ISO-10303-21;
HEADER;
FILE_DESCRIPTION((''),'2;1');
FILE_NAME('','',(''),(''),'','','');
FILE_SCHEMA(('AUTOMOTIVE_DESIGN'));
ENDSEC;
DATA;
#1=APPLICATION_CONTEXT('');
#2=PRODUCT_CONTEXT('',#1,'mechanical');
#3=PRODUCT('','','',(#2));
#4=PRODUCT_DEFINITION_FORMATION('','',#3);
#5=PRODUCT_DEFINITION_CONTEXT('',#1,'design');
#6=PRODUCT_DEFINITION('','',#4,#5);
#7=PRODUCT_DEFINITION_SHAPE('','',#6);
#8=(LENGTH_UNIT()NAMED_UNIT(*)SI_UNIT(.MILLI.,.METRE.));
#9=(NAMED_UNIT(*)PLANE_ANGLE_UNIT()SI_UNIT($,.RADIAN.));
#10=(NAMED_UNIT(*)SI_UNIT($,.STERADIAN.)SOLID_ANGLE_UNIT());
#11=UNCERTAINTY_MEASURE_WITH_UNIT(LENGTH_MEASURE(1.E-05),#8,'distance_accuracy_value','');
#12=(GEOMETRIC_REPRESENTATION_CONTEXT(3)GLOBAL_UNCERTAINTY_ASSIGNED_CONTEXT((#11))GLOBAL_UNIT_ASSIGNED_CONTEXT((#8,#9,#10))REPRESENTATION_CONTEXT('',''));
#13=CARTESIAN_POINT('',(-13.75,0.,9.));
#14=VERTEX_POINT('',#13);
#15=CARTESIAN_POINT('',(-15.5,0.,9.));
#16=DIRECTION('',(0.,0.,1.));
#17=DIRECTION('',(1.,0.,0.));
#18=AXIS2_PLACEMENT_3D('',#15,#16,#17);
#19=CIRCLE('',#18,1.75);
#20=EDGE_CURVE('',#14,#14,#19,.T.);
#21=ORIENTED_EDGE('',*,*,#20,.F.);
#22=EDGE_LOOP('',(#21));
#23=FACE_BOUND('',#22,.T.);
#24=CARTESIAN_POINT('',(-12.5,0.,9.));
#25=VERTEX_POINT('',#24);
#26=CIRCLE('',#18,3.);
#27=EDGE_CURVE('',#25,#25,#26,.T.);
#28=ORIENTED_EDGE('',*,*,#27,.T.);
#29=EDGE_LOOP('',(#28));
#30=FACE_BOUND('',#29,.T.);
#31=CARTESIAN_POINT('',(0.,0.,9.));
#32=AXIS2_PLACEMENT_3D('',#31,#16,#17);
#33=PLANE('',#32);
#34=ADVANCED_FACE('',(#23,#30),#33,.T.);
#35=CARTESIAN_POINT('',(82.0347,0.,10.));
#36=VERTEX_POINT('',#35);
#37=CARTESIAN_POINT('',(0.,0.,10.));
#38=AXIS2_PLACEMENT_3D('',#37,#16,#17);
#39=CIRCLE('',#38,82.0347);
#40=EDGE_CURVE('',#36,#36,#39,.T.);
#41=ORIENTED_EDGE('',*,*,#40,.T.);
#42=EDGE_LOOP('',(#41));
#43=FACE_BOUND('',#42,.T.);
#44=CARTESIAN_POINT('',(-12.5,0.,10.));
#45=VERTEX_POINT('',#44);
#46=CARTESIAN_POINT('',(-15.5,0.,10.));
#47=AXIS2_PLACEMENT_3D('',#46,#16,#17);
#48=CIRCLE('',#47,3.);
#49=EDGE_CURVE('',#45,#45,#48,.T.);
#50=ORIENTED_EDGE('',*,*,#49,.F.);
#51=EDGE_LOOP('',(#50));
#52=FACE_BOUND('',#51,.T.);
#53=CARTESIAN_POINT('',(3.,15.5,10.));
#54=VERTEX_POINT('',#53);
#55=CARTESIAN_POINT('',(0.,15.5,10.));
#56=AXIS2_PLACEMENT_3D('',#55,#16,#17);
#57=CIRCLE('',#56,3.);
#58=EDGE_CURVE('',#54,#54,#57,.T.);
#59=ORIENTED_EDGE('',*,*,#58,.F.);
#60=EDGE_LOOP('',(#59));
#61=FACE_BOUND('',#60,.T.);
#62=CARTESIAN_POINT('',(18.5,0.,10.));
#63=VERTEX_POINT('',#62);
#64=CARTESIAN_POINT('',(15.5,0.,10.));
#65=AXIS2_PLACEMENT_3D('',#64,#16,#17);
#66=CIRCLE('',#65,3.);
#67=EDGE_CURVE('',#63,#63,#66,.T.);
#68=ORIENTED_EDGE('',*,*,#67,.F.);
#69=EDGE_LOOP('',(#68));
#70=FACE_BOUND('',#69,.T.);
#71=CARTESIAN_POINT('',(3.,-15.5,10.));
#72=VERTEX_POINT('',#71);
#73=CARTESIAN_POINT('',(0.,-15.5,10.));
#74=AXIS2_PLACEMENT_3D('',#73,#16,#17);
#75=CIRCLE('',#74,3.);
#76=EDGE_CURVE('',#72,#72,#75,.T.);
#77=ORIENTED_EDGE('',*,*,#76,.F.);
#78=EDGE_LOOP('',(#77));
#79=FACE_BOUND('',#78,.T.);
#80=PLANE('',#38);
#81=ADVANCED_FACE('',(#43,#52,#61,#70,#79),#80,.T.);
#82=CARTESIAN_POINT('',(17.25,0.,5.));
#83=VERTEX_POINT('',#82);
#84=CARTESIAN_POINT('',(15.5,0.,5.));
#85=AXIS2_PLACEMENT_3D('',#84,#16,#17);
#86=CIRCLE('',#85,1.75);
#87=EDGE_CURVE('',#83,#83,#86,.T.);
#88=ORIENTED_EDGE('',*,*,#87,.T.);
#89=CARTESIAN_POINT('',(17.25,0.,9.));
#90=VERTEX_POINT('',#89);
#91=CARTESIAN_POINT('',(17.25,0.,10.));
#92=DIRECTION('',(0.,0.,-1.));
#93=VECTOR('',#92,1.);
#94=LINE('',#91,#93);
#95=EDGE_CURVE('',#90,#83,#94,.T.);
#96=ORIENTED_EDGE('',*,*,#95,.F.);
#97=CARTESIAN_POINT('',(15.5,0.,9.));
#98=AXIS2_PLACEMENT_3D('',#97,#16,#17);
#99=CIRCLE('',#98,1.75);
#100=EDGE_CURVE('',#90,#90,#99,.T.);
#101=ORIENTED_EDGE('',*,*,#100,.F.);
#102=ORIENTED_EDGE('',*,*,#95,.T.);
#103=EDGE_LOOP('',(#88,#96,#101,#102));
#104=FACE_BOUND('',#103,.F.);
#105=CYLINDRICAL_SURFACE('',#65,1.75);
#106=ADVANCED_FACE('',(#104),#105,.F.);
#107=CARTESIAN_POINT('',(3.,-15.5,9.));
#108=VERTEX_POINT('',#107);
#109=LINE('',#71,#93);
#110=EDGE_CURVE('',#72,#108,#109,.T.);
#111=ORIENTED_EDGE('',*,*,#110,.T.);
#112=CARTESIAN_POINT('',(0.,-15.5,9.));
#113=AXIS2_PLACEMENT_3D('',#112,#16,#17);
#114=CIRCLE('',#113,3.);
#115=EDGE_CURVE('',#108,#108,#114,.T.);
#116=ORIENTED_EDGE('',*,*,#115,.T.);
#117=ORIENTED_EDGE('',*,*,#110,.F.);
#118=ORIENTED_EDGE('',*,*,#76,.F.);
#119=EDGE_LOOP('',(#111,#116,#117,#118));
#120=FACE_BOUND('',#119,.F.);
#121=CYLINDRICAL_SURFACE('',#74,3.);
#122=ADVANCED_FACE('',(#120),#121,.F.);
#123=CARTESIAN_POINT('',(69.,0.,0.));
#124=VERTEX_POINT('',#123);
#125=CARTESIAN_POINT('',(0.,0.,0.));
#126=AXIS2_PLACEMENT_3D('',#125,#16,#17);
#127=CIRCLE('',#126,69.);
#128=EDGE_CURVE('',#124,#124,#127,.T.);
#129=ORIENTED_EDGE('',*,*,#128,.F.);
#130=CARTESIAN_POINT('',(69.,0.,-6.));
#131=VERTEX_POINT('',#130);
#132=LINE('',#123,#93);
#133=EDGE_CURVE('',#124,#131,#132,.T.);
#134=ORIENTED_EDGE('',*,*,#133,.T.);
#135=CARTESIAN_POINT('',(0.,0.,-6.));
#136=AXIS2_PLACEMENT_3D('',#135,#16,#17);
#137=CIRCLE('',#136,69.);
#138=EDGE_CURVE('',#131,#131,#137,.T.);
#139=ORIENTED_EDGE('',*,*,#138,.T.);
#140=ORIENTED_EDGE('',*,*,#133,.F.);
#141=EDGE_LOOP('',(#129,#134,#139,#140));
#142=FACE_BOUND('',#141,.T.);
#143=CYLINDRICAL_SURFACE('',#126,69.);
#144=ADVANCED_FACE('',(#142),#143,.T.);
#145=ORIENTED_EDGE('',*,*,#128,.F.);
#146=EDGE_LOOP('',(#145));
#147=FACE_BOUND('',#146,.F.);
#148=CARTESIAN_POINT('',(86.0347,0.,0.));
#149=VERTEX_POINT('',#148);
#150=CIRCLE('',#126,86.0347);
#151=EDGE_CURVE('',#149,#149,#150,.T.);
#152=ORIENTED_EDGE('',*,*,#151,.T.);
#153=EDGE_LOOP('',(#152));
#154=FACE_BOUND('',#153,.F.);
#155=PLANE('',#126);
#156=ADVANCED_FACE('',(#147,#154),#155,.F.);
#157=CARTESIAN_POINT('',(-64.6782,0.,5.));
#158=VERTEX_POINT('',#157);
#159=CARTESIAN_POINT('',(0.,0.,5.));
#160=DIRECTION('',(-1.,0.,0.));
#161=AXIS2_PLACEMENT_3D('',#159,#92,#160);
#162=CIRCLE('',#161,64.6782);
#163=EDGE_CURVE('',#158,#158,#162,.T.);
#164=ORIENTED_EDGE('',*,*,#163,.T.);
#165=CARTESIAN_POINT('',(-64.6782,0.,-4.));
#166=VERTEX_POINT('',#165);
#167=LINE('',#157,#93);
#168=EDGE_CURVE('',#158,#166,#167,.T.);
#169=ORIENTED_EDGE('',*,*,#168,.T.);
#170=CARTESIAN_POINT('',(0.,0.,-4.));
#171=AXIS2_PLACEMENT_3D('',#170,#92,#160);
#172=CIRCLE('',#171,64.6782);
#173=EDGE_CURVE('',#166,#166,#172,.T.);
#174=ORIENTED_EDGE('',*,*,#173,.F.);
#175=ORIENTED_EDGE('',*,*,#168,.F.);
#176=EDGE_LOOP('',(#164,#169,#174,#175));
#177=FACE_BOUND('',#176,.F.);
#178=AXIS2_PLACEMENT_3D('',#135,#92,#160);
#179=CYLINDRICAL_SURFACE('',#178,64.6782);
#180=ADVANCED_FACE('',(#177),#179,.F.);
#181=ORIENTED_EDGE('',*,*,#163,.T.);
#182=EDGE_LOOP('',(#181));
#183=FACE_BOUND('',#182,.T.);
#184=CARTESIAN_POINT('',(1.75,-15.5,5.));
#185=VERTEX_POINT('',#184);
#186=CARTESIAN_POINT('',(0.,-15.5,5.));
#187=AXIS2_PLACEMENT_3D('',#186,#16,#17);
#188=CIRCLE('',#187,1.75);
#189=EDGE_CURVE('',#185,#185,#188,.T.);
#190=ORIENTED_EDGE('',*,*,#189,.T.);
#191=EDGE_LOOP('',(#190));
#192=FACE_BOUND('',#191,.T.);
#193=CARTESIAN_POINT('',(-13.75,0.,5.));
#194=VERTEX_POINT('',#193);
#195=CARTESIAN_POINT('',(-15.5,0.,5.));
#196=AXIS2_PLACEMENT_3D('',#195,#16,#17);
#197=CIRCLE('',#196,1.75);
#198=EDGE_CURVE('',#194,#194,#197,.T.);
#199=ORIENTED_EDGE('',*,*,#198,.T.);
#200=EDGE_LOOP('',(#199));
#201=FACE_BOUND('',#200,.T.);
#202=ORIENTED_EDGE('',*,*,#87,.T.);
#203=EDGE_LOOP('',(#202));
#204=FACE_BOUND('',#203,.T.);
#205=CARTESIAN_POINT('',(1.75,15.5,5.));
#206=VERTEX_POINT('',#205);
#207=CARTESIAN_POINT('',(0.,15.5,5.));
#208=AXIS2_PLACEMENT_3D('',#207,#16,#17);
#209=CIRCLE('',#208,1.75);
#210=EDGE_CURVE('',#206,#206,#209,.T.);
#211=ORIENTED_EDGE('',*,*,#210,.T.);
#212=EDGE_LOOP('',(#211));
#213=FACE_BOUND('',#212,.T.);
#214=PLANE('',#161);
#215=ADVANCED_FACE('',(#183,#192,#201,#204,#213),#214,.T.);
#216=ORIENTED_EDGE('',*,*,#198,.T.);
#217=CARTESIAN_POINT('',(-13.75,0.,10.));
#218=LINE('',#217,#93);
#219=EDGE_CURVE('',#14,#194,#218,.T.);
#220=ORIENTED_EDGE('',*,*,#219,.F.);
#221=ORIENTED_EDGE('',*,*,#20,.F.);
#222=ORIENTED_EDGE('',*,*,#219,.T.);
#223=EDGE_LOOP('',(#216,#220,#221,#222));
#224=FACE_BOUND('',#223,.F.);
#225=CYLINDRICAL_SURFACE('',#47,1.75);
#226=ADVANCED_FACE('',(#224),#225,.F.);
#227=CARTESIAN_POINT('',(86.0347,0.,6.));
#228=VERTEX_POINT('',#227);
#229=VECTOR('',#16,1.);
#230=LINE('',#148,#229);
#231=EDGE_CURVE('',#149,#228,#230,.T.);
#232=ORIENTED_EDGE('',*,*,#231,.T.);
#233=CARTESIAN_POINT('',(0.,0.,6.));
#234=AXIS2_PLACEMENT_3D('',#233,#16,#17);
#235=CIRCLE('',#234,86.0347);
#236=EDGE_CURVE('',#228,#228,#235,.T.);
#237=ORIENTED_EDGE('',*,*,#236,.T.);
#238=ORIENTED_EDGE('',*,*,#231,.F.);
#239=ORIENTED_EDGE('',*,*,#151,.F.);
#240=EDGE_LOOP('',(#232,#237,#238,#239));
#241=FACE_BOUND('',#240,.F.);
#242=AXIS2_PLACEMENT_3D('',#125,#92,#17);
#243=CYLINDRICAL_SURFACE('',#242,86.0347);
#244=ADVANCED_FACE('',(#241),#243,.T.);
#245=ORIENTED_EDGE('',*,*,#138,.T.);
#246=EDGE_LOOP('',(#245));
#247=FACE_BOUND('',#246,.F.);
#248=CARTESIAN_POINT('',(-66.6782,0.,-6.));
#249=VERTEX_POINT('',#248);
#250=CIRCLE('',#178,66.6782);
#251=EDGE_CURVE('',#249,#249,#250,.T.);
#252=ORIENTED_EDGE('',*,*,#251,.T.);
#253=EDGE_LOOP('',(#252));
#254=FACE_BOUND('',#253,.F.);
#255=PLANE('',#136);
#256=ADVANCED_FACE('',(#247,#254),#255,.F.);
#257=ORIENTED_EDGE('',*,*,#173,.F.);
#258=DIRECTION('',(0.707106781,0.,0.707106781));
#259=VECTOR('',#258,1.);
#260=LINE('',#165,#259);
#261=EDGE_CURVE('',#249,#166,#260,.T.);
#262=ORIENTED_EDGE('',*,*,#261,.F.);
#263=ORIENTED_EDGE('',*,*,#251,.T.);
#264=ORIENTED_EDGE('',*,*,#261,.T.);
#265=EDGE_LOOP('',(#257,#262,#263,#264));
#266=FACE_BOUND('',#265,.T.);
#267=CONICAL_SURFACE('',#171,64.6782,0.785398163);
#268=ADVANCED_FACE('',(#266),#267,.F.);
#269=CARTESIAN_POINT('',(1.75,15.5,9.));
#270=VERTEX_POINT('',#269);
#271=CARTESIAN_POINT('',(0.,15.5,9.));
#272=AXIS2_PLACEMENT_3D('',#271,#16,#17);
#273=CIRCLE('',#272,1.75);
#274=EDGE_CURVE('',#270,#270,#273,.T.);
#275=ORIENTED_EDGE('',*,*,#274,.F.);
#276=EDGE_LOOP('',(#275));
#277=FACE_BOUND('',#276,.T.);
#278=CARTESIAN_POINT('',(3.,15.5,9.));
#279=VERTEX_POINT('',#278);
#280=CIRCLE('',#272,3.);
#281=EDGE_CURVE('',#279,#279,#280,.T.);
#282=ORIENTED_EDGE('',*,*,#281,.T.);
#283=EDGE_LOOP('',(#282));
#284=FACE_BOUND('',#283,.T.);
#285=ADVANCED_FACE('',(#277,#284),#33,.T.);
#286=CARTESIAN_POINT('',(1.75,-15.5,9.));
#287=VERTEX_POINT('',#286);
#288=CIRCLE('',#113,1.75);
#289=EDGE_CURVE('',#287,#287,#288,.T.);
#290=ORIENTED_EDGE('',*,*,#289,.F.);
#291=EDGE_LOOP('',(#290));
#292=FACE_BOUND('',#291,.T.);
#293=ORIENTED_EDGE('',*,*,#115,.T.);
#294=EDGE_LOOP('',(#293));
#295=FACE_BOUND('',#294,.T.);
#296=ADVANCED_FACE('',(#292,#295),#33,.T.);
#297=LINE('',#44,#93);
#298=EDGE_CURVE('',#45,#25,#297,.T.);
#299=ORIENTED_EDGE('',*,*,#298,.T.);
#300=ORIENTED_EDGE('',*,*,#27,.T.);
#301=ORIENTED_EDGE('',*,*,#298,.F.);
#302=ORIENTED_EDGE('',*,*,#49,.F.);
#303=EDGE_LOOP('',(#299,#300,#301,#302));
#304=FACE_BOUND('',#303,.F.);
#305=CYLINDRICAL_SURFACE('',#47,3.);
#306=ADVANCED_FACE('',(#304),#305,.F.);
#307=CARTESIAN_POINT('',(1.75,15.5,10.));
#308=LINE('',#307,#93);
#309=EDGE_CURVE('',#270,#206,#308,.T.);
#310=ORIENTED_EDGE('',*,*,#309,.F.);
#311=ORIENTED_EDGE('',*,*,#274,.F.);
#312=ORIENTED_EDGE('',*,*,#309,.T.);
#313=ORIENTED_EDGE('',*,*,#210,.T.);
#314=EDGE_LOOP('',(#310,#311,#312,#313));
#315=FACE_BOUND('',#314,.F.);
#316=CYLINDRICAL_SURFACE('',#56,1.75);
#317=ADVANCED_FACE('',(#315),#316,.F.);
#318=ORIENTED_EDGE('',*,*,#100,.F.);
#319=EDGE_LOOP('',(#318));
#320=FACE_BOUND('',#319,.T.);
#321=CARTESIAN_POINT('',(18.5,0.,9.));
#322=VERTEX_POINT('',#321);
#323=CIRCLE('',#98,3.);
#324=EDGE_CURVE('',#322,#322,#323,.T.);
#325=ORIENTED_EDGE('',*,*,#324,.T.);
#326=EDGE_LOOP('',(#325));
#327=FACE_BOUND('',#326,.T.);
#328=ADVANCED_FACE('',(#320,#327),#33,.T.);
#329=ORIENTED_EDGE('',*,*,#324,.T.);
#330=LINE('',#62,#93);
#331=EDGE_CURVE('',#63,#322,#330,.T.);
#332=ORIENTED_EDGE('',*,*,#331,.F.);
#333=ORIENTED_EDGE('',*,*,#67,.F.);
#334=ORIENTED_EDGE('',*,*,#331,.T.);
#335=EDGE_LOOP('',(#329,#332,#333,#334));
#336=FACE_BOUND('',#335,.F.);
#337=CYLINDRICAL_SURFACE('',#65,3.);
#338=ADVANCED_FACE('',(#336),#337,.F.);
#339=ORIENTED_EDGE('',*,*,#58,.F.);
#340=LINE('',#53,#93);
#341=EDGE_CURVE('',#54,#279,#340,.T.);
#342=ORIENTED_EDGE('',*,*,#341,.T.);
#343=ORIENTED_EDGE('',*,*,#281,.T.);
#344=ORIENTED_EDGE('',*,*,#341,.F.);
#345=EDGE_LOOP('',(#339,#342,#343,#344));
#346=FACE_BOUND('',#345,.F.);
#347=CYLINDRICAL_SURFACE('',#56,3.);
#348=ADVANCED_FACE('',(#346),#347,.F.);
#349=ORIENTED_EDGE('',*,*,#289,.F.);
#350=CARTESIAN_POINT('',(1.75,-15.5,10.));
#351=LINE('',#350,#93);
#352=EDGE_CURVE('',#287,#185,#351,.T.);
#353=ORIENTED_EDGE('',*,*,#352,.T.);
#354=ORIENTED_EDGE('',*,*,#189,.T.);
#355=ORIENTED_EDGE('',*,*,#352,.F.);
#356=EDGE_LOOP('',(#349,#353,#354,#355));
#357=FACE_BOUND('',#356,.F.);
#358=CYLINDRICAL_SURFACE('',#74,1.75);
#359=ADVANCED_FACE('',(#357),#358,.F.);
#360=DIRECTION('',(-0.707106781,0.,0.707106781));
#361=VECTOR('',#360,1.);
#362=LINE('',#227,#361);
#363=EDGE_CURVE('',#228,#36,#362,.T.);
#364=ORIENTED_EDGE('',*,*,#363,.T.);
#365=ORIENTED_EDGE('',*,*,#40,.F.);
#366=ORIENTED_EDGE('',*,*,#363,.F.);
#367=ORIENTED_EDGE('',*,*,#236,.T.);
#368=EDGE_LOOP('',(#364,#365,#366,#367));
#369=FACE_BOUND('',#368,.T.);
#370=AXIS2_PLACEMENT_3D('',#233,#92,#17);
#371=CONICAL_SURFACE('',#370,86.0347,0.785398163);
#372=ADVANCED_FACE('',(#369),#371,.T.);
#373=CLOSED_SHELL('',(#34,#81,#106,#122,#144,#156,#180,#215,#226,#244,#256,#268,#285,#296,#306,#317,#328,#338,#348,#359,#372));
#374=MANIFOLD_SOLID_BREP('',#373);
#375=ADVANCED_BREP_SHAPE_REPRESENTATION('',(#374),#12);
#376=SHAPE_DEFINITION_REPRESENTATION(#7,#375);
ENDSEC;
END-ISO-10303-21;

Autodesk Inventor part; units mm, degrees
ref_plane "YZ Plane" through (0, 0, 0) normal (1, 0, 0) x (0, 1, 0)
ref_plane "XZ Plane" through (0, 0, 0) normal (0, 1, 0) x (-1, 0, 0)
ref_plane "XY Plane" through (0, 0, 0) normal (0, 0, 1) x (1, 0, 0)
sketch "Sketch1" plane through (0, 0, 0) normal (0, 0, 1) x (1, 0, 0)
  circle A0 centre (0, 0) radius 69
  dimension "d0" = 138
extrude "Extrusion1" add sketch "Sketch1" against normal blind 6
sketch "Sketch2" plane through (0, 0, 0) normal (0, 0, 1) x (1, 0, 0)
  circle A0 centre (0, 0) radius 86.0347
extrude "Extrusion2" add sketch "Sketch2" along normal blind 10
sketch "Sketch3" plane through (0, 0, 10) normal (0, 0, 1) x (1, 0, 0)
  circle A0 centre (0, 0) radius 86.0347 projected
  circle A1 centre (0, 0) radius 15.5 construction
  circle A2 centre (0, 15.5) radius 1.75
  circle A3 centre (-15.5, 0) radius 1.75
  circle A4 centre (0, -15.5) radius 1.75
  circle A5 centre (15.5, 0) radius 1.75
  dimension "d5" = 31
  dimension "d6" = 3.5
  dimension "d9" = 360
extrude "Extrusion3" cut sketch "Sketch3" against normal through all contours A2 | A3 | A4 | A5
sketch "Sketch4" plane through (0, 0, 10) normal (0, 0, 1) x (1, 0, 0)
  circle A0 centre (15.5, 0) radius 1.75 projected
  circle A1 centre (-15.5, 0) radius 1.75 projected
  circle A2 centre (0, -15.5) radius 1.75 projected
  circle A3 centre (0, 15.5) radius 1.75 projected
  circle A4 centre (0, 0) radius 86.0347 projected
  circle A5 centre (0, -15.5) radius 3
  circle A6 centre (15.5, 0) radius 3
  circle A7 centre (0, 15.5) radius 3
  circle A8 centre (-15.5, 0) radius 3
  dimension "d13" = 6
  dimension "d16" = 360
extrude "Extrusion4" cut sketch "Sketch4" against normal blind 1 contours A0 | A1 | A3 | A5 | A6 | A7 | A8
sketch "Sketch5" plane through (0, 0, 0) normal (1, 0, 0) x (0, 1, 0)
  line L0 (86.0347, 10) -> (-86.0347, 10) projected
  line L1 (-86.0347, 0) -> (-86.0347, 10) projected
  line L2 (0, 0) -> (0, 58.0565)
  line L3 (-22.0852, 10) -> (-23.5623, 10) construction
  line L4 (-23.5623, 10) -> (-67.5613, 8.2465) construction
  line L5 (-67.5613, 8.2465) -> (-86.0347, 1.135) construction
  spline S0 degree 3 poles (-22.0852, 10) (-23.5623, 10) (-67.5613, 8.2465) (-86.0347, 1.135) knots 1 1 1 1 2 2 2 2
revolve "Revolution1" [suppressed]
sketch "Sketch6" plane through (0, 0, -6) normal (0, 0, -1) x (-1, 0, 0)
  circle A0 centre (-15.5, 0) radius 1.75 projected
  circle A1 centre (15.5, 0) radius 1.75 projected
  circle A2 centre (0, -15.5) radius 1.75 projected
  circle A3 centre (0, 15.5) radius 1.75 projected
  circle A4 centre (0, 0) radius 69 projected
  circle A5 centre (0, 0) radius 64.6782
extrude "Extrusion5" cut sketch "Sketch6" against normal blind 8 contours A5
chamfer "Chamfer1" distance 4 angle 45 1 edges at (-86.0347, 0, 10)
chamfer "Chamfer2" distance 2 angle 45 1 edges at (64.6782, 0, -6)
sketch "Sketch7" plane through (0, 0, 2) normal (0, 0, -1) x (-1, 0, 0)
  circle A0 centre (0, 0) radius 64.6782 projected
  circle A1 centre (0, 15.5) radius 1.75 projected
  circle A2 centre (0, -15.5) radius 1.75 projected
  circle A3 centre (15.5, 0) radius 1.75 projected
  circle A4 centre (-15.5, 0) radius 1.75 projected
extrude "Extrusion6" cut sketch "Sketch7" against normal blind 3
properties part number "hoverboardHubCap" material "ABS Plastic"
